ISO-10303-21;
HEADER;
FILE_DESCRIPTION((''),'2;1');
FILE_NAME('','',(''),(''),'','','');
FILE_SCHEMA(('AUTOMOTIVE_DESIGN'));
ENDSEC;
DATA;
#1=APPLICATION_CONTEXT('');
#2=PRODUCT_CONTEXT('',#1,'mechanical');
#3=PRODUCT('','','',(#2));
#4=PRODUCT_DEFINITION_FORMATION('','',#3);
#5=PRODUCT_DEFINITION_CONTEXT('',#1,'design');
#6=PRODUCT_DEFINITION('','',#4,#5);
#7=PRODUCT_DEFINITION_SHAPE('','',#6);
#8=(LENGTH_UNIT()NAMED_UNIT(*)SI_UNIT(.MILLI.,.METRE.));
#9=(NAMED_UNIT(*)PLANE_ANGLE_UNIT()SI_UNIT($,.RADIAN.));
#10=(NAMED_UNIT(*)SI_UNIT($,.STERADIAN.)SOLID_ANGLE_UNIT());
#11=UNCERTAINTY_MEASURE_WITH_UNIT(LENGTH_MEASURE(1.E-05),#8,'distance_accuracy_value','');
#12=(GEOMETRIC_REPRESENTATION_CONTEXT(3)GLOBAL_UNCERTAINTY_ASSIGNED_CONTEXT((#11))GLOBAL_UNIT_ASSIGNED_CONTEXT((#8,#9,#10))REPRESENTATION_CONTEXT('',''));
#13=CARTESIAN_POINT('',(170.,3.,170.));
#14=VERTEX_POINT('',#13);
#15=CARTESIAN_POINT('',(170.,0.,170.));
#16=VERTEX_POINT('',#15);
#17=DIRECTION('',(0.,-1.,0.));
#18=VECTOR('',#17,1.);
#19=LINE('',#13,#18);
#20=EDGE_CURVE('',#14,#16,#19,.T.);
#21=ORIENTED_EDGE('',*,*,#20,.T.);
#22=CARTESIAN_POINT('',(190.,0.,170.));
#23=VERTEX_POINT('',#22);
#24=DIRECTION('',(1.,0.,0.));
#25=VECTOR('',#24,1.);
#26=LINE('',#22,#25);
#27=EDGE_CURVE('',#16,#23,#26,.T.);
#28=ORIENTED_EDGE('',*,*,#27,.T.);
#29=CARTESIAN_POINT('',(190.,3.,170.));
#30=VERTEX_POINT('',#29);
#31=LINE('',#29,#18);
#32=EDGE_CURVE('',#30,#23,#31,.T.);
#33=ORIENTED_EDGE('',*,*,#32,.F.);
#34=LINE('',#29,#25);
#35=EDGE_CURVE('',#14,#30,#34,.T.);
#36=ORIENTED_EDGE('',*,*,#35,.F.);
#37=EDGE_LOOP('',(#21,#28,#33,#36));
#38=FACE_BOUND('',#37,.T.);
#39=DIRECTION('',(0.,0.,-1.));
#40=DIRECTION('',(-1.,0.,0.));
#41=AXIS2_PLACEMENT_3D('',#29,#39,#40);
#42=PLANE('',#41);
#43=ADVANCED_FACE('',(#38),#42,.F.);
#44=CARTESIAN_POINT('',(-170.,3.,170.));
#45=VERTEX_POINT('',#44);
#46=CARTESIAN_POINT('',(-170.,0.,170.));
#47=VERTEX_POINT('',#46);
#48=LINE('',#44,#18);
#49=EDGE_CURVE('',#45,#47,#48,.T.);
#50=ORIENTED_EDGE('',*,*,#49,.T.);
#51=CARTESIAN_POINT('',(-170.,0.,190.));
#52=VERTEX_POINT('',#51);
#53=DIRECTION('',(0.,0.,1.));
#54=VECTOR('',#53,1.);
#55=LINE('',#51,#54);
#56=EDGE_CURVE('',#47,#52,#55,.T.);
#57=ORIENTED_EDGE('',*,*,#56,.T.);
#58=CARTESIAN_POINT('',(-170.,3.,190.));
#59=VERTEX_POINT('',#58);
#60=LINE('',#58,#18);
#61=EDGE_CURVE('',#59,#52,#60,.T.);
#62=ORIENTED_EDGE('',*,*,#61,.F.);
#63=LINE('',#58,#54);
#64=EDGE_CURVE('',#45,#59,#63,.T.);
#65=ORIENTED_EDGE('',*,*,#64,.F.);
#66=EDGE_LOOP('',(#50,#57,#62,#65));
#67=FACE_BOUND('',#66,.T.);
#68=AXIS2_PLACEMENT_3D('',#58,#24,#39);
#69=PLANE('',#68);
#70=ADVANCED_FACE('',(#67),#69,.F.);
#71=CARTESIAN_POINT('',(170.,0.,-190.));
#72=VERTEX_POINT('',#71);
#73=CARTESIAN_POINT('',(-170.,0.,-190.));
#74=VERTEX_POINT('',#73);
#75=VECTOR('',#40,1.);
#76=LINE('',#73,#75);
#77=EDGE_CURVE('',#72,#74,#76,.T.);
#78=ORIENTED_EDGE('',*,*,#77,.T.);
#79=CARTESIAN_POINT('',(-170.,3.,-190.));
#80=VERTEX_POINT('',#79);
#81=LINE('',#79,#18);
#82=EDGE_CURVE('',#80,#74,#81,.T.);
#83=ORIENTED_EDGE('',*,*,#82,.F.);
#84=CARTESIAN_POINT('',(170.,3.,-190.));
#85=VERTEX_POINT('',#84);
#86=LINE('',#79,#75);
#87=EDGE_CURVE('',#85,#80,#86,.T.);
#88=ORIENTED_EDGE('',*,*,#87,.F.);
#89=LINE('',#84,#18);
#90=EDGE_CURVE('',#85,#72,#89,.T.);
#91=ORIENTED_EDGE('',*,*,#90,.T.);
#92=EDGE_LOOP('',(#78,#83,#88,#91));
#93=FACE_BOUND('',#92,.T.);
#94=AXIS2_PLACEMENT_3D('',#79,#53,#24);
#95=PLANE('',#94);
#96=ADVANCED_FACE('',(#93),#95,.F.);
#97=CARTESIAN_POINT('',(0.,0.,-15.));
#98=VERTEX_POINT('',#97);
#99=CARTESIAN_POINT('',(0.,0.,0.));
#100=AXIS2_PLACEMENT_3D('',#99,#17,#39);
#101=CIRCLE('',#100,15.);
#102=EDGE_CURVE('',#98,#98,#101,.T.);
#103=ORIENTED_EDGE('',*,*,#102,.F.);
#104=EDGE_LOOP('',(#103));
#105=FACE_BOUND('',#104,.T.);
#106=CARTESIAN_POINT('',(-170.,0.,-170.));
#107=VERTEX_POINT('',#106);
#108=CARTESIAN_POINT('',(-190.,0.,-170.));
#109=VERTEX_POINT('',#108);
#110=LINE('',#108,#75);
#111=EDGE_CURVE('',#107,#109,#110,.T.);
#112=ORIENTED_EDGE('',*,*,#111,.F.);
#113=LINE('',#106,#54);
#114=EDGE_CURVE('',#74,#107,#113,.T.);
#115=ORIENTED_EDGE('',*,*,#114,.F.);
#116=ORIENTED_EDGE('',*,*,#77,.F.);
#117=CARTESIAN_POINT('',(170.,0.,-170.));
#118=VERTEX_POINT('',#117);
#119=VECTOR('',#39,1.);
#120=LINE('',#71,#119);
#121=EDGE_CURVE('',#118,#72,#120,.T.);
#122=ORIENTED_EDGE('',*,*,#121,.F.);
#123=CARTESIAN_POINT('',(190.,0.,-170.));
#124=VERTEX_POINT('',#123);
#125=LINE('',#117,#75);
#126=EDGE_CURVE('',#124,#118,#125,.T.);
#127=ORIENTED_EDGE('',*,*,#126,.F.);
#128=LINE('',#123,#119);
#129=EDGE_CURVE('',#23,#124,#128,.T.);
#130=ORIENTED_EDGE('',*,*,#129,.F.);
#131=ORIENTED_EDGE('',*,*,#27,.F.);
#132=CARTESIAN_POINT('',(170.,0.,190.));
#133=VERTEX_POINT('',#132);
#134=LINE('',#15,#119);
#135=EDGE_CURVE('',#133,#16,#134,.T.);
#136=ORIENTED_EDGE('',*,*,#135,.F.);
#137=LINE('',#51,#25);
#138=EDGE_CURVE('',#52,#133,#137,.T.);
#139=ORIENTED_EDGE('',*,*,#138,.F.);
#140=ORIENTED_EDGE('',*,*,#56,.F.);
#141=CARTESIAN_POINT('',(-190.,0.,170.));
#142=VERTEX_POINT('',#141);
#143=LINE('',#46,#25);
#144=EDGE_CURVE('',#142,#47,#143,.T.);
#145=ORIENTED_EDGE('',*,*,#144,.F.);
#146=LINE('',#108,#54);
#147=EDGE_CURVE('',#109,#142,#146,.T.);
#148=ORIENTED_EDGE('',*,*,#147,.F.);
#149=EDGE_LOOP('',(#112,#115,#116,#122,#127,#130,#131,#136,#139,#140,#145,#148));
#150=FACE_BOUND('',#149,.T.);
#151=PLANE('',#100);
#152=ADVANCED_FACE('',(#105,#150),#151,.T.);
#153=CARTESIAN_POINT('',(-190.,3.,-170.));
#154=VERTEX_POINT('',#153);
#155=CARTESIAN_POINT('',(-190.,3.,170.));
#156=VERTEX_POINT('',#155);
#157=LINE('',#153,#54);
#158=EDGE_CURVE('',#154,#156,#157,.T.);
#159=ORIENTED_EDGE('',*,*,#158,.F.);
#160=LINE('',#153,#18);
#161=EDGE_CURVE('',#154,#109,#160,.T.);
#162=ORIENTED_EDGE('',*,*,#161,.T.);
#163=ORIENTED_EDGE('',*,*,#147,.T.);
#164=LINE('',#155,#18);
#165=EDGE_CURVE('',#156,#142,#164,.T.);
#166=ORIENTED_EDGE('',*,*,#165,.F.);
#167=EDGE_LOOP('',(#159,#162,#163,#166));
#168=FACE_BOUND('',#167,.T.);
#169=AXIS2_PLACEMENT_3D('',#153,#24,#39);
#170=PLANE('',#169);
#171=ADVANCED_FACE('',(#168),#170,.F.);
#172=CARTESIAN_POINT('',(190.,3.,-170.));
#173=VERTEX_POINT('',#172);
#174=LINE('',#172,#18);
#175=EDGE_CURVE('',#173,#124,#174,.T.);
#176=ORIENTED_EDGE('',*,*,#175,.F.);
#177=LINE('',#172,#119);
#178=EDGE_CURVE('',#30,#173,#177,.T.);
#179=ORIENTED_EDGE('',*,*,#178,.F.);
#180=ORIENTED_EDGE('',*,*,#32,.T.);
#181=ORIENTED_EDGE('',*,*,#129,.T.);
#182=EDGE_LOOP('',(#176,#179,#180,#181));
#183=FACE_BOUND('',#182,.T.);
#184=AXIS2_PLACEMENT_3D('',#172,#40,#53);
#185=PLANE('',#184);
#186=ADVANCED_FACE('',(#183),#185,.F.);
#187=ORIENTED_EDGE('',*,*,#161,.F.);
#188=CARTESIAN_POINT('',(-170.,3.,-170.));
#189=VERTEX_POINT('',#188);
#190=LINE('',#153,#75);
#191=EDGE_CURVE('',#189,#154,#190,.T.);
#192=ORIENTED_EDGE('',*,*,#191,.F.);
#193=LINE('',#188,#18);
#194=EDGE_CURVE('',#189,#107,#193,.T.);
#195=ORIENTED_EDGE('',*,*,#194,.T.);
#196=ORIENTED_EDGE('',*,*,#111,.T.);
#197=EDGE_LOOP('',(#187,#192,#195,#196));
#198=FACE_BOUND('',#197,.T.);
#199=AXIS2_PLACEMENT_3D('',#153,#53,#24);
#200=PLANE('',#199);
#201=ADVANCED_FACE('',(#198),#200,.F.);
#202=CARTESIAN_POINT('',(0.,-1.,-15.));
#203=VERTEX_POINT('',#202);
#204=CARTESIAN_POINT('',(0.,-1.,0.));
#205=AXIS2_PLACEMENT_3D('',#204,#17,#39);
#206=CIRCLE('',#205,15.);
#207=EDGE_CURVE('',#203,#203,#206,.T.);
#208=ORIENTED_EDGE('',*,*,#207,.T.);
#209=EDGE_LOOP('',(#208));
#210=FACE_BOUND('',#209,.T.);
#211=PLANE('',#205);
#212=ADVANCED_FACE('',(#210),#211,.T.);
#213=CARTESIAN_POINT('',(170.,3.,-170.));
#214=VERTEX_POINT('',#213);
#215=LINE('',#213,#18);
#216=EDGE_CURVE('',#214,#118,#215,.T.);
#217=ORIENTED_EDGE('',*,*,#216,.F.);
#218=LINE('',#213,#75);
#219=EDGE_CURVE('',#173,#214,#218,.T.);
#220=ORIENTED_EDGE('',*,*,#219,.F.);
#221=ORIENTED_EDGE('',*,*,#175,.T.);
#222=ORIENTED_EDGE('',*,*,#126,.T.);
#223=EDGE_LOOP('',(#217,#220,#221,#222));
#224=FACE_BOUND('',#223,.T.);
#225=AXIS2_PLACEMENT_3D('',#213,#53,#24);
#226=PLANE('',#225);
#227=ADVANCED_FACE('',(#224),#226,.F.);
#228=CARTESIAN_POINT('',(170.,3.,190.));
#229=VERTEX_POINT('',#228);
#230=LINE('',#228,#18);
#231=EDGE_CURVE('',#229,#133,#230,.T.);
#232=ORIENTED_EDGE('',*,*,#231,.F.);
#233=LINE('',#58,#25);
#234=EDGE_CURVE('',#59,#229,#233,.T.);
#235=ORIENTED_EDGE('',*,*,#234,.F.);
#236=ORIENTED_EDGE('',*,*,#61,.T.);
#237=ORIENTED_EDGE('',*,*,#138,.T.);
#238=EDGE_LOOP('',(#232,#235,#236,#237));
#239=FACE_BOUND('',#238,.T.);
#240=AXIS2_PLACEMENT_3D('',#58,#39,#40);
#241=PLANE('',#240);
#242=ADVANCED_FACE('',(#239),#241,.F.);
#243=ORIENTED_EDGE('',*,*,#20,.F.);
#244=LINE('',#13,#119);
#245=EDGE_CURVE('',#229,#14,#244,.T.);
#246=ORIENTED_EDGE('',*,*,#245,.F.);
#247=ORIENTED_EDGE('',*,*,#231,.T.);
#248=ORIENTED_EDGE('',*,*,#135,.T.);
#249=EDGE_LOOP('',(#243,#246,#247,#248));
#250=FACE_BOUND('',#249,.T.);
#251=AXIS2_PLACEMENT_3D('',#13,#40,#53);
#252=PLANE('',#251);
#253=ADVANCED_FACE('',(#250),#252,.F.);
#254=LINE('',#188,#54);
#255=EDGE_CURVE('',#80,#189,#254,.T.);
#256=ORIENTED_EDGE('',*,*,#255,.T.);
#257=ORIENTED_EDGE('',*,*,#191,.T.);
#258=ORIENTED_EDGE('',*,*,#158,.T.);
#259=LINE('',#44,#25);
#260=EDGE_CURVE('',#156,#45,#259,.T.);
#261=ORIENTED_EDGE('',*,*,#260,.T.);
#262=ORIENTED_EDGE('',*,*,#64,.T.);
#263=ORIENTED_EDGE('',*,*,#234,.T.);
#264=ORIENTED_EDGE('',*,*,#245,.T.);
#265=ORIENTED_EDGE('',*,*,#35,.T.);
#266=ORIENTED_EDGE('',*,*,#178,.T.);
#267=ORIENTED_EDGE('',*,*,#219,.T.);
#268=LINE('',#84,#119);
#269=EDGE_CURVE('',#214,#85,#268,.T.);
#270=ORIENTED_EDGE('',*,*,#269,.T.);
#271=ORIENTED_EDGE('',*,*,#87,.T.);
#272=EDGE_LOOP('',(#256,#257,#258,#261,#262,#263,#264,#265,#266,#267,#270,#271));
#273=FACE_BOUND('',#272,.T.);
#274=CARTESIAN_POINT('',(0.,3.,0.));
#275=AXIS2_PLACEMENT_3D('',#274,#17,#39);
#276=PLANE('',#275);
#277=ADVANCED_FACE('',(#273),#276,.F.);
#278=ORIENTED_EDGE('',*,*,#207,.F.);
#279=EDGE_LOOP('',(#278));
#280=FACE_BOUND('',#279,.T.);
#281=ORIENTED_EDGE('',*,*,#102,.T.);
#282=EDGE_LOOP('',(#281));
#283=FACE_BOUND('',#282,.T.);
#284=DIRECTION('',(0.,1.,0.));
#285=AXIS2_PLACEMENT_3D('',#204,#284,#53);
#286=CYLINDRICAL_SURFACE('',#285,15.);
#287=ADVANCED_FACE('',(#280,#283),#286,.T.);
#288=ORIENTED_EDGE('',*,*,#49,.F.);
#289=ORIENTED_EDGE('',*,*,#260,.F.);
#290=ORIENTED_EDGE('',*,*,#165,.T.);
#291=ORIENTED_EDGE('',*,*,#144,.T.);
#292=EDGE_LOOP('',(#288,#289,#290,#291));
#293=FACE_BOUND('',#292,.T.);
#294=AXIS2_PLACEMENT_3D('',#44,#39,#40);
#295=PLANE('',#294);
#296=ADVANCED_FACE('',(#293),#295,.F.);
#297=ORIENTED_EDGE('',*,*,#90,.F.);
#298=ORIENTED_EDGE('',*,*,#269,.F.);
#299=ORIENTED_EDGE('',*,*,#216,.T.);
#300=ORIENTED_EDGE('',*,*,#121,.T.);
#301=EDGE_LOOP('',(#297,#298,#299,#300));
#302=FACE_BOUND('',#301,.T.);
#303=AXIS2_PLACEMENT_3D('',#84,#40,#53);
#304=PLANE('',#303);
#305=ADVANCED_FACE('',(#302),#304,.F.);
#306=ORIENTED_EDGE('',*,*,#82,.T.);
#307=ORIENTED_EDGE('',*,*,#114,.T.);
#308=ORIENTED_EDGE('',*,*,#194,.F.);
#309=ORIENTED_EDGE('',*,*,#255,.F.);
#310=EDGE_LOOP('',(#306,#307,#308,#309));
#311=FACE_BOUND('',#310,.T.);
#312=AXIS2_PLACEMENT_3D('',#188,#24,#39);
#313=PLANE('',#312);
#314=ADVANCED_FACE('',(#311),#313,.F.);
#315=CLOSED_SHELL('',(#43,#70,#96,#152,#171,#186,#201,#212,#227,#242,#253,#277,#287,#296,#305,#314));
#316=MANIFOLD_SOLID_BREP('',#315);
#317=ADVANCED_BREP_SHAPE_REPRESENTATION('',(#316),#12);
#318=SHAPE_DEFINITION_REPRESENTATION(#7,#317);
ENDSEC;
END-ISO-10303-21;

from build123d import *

# Parameters (mm, degrees)
EXTRUDE_3_DEPTH = 3
SKETCH_4_R      = 15
EXTRUDE_4_DEPTH = 1


with BuildPart() as part:
    # 草图3 → 凸台-拉伸3 (new body)
    with BuildSketch(Plane(origin=(0, 0, 0), x_dir=(1, 0, 0), z_dir=(0, 1, 0))):
        Polygon((170, 190), (170, 170), (190, 170), (190, -170), (170, -170), (170, -190), (-170, -190), (-170, -170), (-190, -170), (-190, 170), (-170, 170), (-170, 190), align=None)
    extrude(amount=EXTRUDE_3_DEPTH)

    # 草图4 → 凸台-拉伸4 (add)
    with BuildSketch(Plane.XZ):
        with Locations(Location((0, 0, 0), (0, 0, 270))):
            Circle(SKETCH_4_R)
    extrude(amount=EXTRUDE_4_DEPTH)


solid = part.part
